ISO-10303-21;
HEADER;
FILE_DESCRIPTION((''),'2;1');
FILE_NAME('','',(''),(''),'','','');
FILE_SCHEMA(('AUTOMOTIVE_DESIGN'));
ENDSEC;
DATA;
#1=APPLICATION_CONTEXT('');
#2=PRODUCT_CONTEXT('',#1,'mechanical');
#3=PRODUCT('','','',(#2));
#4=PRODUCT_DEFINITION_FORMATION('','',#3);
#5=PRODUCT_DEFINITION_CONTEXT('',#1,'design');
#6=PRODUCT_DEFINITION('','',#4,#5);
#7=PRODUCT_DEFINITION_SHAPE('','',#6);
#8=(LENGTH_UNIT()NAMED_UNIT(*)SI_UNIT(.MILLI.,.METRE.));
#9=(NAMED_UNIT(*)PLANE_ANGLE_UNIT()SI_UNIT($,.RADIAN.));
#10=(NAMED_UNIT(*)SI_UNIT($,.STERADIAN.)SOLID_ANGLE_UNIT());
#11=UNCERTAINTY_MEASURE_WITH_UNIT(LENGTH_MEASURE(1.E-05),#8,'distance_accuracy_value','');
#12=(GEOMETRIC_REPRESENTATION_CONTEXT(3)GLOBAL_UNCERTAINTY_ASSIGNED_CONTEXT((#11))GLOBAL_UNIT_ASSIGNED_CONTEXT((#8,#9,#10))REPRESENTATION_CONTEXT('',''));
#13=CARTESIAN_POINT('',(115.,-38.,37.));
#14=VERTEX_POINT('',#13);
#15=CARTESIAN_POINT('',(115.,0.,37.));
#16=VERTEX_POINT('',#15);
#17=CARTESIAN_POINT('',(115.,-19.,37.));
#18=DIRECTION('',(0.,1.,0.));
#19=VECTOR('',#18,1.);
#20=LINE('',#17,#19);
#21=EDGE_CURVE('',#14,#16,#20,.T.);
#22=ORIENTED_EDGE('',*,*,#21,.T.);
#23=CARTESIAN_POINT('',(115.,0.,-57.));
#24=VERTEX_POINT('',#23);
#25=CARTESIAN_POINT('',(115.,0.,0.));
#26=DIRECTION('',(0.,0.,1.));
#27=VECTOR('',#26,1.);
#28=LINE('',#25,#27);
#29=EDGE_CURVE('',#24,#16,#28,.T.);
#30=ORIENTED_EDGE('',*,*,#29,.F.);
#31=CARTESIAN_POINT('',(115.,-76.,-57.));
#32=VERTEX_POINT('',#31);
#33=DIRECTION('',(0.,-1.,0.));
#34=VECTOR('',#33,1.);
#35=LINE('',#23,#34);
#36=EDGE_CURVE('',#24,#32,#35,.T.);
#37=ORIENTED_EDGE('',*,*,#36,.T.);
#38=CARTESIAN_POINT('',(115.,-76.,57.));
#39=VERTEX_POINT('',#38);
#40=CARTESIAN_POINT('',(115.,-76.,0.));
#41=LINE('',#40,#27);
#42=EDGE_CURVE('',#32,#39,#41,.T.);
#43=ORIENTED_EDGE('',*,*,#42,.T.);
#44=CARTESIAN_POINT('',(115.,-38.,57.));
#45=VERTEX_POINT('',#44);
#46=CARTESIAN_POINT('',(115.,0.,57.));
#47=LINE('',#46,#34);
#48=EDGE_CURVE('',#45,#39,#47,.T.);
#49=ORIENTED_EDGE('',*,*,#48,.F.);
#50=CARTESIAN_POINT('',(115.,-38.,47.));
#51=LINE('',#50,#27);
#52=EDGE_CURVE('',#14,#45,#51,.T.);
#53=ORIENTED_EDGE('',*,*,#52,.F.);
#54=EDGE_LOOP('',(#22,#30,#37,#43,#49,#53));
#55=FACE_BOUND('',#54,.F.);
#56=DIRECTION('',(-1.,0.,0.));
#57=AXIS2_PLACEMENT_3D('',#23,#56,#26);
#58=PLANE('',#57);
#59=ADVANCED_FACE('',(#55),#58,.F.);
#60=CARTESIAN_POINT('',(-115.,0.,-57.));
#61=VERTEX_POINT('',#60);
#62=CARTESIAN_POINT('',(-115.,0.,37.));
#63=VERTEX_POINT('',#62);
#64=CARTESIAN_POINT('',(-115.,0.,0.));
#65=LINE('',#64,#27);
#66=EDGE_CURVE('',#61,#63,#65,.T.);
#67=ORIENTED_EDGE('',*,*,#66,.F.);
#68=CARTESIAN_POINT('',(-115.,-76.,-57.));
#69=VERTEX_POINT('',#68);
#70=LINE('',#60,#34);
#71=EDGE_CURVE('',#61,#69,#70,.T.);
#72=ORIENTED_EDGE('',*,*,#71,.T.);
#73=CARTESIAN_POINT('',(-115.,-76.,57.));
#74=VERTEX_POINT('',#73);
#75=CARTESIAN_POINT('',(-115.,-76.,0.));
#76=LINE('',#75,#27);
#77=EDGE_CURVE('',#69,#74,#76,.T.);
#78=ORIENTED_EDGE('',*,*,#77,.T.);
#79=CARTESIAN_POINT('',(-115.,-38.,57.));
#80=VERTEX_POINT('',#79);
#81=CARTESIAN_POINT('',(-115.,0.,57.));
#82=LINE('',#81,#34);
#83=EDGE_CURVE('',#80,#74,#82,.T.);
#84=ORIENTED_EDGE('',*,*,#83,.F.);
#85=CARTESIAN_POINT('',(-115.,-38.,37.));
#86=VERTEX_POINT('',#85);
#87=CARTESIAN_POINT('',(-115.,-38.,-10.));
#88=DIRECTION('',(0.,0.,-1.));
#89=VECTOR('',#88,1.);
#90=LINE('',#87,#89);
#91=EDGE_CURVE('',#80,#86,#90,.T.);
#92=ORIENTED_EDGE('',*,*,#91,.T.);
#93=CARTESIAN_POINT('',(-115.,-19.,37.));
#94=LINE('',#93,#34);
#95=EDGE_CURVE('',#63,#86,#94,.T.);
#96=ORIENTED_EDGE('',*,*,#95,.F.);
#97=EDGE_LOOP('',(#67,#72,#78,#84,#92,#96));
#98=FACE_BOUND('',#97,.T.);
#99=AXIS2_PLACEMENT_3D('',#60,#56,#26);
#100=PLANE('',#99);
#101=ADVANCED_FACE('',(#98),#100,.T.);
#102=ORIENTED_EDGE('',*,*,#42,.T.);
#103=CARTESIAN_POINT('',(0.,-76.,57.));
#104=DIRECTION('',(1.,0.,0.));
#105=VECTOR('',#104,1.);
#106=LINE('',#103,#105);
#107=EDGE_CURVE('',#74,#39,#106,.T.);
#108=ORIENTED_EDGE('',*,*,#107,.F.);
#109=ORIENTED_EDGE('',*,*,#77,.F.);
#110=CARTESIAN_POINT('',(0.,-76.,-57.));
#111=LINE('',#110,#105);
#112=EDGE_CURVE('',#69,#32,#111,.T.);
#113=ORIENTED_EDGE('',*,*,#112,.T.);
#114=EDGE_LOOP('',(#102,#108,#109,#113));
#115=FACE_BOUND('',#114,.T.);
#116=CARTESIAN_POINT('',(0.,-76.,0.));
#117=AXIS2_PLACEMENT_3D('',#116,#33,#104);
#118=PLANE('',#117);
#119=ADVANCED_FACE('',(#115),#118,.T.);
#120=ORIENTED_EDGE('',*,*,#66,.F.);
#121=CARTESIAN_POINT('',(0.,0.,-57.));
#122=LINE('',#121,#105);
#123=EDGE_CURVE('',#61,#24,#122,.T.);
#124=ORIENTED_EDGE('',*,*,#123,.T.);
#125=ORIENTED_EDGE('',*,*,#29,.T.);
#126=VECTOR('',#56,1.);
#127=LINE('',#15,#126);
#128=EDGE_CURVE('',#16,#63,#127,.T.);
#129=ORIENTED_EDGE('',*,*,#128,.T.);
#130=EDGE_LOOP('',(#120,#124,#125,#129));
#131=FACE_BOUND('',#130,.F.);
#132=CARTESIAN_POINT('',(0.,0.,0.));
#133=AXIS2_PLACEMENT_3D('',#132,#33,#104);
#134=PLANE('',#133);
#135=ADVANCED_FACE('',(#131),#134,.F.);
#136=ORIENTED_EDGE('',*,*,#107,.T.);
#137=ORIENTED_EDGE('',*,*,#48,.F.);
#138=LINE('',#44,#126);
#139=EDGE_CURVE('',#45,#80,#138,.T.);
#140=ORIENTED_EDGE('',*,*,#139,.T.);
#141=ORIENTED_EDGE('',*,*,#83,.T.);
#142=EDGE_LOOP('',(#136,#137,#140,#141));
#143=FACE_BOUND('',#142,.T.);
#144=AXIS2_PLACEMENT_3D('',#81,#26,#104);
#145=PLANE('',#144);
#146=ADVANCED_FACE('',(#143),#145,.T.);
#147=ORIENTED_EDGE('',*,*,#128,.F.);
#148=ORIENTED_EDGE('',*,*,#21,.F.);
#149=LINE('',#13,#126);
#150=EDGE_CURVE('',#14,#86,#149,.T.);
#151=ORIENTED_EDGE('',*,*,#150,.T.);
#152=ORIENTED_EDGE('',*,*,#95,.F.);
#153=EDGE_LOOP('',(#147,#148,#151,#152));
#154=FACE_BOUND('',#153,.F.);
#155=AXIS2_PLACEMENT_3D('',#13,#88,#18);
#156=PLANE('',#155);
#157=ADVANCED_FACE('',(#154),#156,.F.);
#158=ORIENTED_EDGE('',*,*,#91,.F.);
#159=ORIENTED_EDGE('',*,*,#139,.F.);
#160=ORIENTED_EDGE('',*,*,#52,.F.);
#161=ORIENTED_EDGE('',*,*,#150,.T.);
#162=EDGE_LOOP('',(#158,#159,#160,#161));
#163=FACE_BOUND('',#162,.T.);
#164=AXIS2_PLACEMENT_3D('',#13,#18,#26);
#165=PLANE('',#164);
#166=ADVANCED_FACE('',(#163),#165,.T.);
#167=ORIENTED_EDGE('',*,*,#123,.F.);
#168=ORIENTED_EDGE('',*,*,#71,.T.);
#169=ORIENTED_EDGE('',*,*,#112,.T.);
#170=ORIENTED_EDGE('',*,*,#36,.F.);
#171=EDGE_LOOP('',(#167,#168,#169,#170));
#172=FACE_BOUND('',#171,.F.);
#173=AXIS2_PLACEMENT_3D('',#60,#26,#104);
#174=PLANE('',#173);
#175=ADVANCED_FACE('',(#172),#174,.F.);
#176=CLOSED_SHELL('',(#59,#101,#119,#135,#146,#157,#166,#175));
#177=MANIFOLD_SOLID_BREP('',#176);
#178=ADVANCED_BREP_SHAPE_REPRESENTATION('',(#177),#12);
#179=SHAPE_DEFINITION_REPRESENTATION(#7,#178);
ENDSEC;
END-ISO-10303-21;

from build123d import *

# Parameters (mm, degrees)
F0_W     = 230
F0_H     = 114
F1_DEPTH = 76
F3_W     = 38
F3_H     = 20
F4_DEPTH = 230.001


with BuildPart() as f1:
    # F0 (on Front) → F1 (new body)
    with BuildSketch(Plane.XZ):
        Rectangle(F0_W, F0_H)
    extrude(amount=F1_DEPTH)

    # F3 (on offset) → F4 (cut, through all)
    with BuildSketch(Plane.YZ.offset(115)):
        with Locations((-19, 47)):
            Rectangle(F3_W, F3_H)
    extrude(amount=-F4_DEPTH, mode=Mode.SUBTRACT)


solid = f1.part
